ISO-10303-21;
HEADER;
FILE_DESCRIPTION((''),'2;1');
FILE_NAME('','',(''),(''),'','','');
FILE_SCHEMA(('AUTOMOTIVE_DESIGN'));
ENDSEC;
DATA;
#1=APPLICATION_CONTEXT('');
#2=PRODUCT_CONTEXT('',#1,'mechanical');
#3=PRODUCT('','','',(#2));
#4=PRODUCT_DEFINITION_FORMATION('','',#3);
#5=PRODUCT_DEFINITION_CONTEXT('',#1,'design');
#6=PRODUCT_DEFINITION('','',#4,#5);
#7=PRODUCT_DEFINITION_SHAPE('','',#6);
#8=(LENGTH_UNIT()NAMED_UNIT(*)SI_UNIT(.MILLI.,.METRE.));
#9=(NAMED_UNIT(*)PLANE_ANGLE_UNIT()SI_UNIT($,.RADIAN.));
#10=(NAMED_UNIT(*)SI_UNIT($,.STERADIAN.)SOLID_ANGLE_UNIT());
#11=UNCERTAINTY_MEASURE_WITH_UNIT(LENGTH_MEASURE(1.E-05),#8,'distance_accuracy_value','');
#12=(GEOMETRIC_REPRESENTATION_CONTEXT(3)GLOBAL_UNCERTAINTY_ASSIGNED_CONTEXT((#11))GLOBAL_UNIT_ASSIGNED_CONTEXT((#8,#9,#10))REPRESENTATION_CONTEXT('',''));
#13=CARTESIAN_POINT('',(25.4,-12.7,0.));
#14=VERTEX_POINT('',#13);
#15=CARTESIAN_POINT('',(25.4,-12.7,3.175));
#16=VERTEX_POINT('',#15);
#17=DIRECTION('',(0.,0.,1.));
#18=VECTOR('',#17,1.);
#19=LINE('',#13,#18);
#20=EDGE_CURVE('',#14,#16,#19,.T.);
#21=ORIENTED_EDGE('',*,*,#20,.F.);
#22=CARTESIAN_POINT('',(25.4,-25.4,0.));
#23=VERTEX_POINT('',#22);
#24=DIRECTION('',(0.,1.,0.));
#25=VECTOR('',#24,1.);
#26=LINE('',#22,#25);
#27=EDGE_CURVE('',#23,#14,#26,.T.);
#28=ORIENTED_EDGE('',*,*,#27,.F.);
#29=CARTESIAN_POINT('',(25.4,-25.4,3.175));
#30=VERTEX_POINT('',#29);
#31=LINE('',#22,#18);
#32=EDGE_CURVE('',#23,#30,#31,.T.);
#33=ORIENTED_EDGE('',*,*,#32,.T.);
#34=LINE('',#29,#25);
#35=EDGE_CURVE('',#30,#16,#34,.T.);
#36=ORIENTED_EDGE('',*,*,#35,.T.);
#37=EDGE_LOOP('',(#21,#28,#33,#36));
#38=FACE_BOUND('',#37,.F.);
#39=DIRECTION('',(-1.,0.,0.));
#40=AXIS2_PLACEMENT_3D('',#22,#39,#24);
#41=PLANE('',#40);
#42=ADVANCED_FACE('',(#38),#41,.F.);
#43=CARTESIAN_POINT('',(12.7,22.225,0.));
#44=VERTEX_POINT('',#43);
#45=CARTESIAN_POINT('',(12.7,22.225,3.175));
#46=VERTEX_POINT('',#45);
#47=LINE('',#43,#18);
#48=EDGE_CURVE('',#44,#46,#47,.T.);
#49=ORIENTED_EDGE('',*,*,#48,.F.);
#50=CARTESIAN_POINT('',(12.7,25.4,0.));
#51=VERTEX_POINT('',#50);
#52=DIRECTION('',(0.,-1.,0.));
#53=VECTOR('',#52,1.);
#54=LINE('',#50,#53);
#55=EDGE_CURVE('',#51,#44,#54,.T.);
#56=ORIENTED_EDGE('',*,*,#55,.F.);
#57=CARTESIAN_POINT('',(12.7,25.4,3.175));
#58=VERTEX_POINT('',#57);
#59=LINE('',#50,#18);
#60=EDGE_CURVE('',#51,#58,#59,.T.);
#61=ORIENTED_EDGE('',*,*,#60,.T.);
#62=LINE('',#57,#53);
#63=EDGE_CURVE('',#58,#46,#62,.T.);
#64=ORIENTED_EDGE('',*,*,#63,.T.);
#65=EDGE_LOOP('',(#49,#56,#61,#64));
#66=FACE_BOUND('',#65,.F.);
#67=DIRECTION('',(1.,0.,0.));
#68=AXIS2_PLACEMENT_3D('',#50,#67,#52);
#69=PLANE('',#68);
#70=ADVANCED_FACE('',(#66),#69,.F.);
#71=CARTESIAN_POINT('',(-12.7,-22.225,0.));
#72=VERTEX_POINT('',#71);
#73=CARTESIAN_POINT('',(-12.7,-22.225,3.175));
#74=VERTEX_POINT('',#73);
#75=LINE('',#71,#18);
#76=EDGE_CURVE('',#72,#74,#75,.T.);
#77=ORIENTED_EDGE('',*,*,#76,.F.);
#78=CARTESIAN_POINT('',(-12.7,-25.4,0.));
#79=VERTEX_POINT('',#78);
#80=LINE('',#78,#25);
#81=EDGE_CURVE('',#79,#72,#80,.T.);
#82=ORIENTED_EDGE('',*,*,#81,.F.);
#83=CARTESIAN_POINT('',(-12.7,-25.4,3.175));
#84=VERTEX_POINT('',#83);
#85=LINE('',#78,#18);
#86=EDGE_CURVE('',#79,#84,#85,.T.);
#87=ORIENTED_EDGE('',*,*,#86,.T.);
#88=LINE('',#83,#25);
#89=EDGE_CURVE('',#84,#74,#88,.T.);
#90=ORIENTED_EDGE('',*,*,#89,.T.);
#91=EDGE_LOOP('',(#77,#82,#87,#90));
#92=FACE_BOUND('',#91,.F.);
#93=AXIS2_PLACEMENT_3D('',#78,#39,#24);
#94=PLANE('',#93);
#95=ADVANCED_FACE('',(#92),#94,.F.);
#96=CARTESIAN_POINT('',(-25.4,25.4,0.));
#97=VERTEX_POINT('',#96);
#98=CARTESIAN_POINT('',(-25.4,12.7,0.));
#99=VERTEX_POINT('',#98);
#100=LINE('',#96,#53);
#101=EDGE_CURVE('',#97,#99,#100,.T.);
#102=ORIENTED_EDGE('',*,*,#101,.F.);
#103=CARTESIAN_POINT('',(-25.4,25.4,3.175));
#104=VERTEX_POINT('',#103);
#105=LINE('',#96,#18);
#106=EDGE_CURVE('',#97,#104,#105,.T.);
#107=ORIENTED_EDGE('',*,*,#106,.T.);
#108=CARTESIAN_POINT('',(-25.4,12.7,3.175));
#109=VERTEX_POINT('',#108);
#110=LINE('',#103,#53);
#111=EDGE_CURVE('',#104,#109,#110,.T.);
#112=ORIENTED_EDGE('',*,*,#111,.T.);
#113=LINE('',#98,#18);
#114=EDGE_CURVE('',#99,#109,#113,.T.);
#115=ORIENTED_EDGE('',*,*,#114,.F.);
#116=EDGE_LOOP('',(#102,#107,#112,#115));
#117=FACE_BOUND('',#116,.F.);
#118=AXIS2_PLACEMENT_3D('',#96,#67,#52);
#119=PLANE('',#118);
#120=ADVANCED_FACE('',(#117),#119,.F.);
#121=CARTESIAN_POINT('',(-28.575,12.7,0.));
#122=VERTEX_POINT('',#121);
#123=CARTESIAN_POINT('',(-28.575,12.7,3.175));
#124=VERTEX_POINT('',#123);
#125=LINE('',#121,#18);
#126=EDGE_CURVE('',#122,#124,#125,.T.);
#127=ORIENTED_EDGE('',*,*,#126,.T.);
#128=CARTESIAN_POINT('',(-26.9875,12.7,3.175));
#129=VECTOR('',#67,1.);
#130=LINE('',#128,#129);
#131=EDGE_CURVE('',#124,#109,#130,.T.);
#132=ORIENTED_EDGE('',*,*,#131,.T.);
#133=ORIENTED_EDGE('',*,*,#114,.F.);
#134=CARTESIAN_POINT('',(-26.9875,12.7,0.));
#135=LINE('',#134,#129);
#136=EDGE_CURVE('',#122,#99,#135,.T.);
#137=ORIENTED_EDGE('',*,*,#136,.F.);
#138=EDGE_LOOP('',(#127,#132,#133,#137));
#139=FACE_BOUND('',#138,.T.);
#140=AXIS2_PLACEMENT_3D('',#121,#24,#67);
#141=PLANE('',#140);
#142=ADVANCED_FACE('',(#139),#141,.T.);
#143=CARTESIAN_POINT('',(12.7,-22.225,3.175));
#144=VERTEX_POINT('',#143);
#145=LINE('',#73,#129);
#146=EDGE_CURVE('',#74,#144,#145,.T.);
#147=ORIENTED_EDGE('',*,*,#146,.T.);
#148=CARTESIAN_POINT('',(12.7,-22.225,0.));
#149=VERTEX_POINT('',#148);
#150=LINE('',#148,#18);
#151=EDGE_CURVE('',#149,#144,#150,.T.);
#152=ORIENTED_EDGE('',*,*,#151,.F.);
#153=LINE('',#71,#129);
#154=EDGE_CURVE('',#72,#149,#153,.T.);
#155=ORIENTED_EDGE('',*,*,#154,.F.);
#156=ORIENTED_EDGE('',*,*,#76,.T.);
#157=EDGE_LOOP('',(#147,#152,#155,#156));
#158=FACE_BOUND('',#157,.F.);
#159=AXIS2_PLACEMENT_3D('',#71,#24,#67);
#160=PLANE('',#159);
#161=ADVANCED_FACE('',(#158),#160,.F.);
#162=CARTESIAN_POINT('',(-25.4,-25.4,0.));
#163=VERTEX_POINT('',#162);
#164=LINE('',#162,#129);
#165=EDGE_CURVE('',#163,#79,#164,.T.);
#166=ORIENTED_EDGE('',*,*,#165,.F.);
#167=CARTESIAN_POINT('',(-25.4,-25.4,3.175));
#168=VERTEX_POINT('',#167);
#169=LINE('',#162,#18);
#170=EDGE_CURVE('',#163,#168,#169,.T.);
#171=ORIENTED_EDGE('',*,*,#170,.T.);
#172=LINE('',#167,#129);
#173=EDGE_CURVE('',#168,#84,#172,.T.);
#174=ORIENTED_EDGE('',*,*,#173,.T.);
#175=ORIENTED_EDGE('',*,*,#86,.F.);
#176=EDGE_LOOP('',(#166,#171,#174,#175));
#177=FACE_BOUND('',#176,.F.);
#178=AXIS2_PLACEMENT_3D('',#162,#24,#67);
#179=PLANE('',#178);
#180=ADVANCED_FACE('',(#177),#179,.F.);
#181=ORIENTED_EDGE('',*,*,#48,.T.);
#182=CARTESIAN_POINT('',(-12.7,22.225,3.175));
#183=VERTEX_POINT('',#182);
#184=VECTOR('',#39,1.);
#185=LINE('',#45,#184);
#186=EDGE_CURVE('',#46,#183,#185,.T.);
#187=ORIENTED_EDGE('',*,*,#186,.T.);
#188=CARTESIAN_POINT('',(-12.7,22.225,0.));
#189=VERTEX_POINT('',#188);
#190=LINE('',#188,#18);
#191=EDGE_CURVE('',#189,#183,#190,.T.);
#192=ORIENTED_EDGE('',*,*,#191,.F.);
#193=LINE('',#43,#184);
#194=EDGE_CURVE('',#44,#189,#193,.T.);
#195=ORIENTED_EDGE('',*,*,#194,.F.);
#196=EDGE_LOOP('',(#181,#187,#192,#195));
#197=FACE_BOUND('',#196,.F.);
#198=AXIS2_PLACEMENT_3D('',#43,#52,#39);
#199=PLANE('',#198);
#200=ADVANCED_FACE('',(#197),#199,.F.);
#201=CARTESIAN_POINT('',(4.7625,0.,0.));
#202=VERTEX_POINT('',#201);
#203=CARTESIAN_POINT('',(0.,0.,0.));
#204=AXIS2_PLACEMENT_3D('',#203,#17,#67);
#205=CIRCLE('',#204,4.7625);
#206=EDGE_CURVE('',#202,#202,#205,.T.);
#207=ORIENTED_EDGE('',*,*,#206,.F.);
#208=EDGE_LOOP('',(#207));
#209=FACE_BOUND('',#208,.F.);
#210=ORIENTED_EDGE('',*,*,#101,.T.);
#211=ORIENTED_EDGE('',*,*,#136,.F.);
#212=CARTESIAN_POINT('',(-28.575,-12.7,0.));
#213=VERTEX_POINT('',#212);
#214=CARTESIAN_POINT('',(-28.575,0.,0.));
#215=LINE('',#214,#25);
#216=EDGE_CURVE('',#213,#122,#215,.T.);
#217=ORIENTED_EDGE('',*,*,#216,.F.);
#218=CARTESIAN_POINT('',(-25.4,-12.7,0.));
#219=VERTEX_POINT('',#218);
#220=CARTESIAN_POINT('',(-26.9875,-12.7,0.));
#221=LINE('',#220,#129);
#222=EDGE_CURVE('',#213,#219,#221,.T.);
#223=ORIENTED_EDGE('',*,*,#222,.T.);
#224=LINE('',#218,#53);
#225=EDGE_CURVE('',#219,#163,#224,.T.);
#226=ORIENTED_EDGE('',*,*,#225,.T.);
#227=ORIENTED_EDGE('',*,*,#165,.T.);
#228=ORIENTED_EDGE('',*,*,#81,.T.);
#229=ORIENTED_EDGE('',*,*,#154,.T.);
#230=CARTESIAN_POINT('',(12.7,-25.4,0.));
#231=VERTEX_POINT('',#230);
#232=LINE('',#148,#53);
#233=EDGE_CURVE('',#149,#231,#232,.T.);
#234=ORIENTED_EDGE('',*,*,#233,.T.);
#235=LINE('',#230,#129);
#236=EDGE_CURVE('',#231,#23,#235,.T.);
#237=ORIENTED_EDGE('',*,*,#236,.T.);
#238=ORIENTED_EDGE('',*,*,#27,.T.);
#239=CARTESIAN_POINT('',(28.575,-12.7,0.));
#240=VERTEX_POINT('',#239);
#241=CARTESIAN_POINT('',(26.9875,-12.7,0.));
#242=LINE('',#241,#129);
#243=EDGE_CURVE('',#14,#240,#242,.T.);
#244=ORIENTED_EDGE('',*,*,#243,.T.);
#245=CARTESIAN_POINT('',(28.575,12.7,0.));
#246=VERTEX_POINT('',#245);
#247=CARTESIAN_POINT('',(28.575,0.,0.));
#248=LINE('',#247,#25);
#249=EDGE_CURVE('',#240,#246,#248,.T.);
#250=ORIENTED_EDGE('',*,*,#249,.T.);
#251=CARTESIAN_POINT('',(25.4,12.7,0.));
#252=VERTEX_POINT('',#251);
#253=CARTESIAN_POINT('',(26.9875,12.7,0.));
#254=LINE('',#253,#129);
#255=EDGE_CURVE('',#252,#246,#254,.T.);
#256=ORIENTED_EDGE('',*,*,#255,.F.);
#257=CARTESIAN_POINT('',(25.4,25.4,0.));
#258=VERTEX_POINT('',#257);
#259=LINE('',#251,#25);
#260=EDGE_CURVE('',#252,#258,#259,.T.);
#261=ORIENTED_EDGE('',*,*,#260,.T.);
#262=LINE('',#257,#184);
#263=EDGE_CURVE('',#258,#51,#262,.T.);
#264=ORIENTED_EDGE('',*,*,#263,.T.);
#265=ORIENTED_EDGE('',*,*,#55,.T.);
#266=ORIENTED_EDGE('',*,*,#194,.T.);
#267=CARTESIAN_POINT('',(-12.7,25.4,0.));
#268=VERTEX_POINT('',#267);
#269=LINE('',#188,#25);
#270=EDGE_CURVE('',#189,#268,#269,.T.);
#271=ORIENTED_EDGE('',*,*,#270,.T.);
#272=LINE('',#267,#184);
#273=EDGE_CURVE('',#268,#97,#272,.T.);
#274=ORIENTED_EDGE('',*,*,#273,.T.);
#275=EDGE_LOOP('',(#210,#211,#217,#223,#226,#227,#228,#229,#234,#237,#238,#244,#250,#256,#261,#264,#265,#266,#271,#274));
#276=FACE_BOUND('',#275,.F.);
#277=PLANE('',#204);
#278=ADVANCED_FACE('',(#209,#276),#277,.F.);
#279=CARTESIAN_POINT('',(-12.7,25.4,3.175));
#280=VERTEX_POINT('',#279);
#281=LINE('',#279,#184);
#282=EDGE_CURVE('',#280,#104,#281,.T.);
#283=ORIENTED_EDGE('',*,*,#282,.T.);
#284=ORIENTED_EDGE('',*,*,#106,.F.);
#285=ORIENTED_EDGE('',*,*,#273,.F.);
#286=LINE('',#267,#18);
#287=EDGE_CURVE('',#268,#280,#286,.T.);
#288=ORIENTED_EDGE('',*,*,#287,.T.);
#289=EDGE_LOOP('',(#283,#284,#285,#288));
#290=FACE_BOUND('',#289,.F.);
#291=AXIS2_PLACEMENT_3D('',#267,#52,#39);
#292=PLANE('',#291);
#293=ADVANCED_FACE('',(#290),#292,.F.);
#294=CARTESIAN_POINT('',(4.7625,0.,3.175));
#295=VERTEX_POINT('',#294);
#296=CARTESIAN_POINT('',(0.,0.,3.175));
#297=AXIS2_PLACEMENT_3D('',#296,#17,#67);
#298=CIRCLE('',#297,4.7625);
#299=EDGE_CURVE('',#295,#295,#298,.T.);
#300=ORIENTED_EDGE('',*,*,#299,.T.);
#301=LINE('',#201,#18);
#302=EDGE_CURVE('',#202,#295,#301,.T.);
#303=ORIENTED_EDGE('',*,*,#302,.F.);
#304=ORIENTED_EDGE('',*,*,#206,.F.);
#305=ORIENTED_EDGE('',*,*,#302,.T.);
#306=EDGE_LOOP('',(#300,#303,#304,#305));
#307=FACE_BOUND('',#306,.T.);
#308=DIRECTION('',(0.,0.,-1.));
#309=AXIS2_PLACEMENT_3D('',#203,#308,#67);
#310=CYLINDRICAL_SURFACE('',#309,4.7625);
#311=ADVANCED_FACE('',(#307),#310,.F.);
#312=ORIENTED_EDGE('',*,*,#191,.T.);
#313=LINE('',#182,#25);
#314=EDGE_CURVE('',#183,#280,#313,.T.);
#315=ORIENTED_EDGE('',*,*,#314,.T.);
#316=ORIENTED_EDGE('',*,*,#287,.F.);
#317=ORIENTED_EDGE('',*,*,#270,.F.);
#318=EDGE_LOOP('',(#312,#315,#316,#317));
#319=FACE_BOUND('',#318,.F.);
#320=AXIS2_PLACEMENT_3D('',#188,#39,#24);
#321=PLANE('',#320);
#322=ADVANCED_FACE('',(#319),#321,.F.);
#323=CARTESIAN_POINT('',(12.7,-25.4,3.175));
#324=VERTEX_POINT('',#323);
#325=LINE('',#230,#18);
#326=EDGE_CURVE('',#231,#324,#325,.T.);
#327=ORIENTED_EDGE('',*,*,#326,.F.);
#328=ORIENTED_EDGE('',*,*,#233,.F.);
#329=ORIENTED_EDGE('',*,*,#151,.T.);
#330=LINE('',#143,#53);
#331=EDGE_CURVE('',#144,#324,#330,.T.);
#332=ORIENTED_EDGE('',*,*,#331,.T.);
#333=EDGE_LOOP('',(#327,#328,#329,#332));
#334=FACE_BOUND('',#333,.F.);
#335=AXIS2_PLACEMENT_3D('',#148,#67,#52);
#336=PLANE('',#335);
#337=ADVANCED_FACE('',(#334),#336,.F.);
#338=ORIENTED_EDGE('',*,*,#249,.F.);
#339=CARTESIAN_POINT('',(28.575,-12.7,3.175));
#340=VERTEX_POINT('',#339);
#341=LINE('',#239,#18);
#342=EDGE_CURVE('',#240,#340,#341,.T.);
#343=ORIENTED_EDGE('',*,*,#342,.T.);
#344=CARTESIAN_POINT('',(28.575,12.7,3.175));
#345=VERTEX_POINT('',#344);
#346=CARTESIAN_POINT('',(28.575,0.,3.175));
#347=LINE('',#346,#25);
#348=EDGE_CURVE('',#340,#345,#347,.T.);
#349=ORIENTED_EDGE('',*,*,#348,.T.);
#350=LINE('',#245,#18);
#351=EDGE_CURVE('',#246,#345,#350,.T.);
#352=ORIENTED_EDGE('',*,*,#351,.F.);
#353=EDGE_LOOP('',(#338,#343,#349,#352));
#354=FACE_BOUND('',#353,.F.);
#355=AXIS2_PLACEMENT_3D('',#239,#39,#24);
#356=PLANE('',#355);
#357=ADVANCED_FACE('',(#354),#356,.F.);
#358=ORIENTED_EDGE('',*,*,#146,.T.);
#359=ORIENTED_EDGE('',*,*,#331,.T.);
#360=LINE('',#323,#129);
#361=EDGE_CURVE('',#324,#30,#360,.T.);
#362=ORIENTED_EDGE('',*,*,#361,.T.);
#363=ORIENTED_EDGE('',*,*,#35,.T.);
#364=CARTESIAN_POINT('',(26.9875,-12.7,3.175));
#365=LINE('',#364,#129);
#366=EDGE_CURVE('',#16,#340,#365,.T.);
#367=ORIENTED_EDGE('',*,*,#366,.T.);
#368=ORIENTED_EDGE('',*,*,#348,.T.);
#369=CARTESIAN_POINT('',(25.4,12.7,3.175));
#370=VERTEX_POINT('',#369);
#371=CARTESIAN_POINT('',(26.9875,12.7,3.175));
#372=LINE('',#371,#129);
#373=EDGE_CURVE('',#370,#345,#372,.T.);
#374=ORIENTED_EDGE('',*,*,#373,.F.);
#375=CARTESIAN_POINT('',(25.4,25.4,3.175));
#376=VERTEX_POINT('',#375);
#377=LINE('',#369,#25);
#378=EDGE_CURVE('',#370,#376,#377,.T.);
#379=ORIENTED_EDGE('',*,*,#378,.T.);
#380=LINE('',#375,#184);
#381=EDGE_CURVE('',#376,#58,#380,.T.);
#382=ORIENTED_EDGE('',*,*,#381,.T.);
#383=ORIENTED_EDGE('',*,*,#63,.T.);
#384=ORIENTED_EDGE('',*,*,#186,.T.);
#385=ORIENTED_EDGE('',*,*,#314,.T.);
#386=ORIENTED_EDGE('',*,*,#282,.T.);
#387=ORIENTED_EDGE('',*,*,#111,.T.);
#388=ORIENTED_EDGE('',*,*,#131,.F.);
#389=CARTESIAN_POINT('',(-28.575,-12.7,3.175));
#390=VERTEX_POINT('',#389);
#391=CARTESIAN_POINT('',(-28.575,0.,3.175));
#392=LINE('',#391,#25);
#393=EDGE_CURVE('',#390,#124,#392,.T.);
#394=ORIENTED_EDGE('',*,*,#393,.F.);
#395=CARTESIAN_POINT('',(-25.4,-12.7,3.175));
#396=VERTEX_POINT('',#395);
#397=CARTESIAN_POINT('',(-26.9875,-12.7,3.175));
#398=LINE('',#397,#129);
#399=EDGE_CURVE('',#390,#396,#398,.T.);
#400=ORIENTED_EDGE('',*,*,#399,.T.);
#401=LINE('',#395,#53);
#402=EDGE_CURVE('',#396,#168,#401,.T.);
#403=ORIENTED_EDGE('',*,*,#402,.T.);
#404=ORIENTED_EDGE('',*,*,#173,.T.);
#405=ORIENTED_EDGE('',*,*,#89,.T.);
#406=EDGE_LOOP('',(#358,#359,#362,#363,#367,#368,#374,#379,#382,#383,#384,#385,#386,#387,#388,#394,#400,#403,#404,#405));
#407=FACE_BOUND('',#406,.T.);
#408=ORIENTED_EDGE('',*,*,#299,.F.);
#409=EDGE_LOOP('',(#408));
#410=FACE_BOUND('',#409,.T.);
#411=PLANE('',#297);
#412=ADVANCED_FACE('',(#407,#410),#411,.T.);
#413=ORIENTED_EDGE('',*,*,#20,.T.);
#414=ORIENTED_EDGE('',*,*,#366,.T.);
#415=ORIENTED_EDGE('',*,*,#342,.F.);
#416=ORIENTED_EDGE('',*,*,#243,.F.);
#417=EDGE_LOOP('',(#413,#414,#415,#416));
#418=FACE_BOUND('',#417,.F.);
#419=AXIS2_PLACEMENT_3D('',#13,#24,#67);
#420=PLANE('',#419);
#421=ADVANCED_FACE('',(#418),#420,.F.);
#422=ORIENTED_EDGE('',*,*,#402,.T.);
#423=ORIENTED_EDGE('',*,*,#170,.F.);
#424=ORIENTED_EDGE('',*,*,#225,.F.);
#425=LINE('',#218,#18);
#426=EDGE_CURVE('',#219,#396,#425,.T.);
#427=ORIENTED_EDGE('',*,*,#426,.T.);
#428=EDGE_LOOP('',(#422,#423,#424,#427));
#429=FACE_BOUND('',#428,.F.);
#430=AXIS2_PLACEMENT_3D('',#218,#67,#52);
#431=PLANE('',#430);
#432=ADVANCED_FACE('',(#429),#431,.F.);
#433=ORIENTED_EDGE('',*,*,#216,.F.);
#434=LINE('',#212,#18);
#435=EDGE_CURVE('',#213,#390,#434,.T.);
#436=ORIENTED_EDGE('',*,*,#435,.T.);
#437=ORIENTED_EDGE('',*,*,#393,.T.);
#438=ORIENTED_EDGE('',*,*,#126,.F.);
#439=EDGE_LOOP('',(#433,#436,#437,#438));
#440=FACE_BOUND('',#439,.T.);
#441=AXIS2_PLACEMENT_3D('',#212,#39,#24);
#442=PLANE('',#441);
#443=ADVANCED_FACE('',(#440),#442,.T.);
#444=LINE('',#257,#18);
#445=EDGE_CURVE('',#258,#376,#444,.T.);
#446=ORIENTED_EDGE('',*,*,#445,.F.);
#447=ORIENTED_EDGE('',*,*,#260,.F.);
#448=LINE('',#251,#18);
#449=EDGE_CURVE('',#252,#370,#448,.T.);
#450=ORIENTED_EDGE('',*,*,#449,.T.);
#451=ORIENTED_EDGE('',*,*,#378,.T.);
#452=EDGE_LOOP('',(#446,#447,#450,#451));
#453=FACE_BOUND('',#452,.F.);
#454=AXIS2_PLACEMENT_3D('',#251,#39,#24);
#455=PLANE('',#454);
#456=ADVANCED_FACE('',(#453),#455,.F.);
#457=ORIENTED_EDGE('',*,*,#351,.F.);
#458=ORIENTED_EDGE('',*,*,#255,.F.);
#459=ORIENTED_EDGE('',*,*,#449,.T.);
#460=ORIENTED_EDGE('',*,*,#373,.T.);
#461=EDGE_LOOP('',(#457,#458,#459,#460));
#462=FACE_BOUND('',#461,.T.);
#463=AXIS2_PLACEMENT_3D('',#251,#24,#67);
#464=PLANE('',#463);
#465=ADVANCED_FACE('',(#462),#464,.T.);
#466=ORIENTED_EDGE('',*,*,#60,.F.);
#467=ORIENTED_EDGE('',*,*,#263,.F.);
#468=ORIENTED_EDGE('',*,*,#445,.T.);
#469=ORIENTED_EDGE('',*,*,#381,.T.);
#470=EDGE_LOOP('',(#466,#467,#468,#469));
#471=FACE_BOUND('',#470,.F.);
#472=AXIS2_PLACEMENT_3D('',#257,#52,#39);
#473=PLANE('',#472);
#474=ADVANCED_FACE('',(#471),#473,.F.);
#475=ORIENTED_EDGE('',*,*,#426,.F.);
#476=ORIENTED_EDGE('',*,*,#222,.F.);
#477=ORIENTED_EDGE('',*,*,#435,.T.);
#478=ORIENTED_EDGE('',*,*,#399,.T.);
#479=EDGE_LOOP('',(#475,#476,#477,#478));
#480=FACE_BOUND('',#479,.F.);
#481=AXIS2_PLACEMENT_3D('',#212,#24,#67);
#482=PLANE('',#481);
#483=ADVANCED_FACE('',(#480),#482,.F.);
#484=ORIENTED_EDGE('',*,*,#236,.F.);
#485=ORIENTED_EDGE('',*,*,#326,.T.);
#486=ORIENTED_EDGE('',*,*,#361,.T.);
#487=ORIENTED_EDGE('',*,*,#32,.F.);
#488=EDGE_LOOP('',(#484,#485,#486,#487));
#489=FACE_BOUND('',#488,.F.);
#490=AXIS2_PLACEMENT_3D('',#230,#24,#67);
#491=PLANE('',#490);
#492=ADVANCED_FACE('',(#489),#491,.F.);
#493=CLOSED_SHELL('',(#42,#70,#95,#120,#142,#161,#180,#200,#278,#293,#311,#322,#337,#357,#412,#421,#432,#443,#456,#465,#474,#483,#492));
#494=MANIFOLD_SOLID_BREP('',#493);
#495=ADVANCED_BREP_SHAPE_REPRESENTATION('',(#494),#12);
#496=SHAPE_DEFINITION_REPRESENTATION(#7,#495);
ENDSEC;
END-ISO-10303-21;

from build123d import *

# Parameters (mm, degrees)
F0_R     = 4.7625
F0_W     = 3.175
F0_H     = 25.4
F1_DEPTH = 3.175


with BuildPart() as f1:
    # F0 (on Top) → F1 (new body)
    with BuildSketch(Plane.XY):
        Polygon((25.4, 12.7), (25.4, 25.4), (12.7, 25.4), (12.7, 22.225), (-12.7, 22.225), (-12.7, 25.4), (-25.4, 25.4), (-25.4, 12.7), (-22.225, 12.7), (-22.225, -12.7), (-25.4, -12.7), (-25.4, -25.4), (-12.7, -25.4), (-12.7, -22.225), (12.7, -22.225), (12.7, -25.4), (25.4, -25.4), (25.4, -12.7), (22.225, -12.7), (22.225, 12.7), align=None)
        Circle(F0_R, mode=Mode.SUBTRACT)
        with Locations((-26.9875, 0)):
            Rectangle(F0_W, F0_H)
        with Locations((-23.8125, 0)):
            Rectangle(F0_W, F0_H)
        with Locations((26.9875, 0)):
            Rectangle(F0_W, F0_H)
        with Locations((23.8125, 0)):
            Rectangle(F0_W, F0_H)
    extrude(amount=F1_DEPTH)


solid = f1.part
